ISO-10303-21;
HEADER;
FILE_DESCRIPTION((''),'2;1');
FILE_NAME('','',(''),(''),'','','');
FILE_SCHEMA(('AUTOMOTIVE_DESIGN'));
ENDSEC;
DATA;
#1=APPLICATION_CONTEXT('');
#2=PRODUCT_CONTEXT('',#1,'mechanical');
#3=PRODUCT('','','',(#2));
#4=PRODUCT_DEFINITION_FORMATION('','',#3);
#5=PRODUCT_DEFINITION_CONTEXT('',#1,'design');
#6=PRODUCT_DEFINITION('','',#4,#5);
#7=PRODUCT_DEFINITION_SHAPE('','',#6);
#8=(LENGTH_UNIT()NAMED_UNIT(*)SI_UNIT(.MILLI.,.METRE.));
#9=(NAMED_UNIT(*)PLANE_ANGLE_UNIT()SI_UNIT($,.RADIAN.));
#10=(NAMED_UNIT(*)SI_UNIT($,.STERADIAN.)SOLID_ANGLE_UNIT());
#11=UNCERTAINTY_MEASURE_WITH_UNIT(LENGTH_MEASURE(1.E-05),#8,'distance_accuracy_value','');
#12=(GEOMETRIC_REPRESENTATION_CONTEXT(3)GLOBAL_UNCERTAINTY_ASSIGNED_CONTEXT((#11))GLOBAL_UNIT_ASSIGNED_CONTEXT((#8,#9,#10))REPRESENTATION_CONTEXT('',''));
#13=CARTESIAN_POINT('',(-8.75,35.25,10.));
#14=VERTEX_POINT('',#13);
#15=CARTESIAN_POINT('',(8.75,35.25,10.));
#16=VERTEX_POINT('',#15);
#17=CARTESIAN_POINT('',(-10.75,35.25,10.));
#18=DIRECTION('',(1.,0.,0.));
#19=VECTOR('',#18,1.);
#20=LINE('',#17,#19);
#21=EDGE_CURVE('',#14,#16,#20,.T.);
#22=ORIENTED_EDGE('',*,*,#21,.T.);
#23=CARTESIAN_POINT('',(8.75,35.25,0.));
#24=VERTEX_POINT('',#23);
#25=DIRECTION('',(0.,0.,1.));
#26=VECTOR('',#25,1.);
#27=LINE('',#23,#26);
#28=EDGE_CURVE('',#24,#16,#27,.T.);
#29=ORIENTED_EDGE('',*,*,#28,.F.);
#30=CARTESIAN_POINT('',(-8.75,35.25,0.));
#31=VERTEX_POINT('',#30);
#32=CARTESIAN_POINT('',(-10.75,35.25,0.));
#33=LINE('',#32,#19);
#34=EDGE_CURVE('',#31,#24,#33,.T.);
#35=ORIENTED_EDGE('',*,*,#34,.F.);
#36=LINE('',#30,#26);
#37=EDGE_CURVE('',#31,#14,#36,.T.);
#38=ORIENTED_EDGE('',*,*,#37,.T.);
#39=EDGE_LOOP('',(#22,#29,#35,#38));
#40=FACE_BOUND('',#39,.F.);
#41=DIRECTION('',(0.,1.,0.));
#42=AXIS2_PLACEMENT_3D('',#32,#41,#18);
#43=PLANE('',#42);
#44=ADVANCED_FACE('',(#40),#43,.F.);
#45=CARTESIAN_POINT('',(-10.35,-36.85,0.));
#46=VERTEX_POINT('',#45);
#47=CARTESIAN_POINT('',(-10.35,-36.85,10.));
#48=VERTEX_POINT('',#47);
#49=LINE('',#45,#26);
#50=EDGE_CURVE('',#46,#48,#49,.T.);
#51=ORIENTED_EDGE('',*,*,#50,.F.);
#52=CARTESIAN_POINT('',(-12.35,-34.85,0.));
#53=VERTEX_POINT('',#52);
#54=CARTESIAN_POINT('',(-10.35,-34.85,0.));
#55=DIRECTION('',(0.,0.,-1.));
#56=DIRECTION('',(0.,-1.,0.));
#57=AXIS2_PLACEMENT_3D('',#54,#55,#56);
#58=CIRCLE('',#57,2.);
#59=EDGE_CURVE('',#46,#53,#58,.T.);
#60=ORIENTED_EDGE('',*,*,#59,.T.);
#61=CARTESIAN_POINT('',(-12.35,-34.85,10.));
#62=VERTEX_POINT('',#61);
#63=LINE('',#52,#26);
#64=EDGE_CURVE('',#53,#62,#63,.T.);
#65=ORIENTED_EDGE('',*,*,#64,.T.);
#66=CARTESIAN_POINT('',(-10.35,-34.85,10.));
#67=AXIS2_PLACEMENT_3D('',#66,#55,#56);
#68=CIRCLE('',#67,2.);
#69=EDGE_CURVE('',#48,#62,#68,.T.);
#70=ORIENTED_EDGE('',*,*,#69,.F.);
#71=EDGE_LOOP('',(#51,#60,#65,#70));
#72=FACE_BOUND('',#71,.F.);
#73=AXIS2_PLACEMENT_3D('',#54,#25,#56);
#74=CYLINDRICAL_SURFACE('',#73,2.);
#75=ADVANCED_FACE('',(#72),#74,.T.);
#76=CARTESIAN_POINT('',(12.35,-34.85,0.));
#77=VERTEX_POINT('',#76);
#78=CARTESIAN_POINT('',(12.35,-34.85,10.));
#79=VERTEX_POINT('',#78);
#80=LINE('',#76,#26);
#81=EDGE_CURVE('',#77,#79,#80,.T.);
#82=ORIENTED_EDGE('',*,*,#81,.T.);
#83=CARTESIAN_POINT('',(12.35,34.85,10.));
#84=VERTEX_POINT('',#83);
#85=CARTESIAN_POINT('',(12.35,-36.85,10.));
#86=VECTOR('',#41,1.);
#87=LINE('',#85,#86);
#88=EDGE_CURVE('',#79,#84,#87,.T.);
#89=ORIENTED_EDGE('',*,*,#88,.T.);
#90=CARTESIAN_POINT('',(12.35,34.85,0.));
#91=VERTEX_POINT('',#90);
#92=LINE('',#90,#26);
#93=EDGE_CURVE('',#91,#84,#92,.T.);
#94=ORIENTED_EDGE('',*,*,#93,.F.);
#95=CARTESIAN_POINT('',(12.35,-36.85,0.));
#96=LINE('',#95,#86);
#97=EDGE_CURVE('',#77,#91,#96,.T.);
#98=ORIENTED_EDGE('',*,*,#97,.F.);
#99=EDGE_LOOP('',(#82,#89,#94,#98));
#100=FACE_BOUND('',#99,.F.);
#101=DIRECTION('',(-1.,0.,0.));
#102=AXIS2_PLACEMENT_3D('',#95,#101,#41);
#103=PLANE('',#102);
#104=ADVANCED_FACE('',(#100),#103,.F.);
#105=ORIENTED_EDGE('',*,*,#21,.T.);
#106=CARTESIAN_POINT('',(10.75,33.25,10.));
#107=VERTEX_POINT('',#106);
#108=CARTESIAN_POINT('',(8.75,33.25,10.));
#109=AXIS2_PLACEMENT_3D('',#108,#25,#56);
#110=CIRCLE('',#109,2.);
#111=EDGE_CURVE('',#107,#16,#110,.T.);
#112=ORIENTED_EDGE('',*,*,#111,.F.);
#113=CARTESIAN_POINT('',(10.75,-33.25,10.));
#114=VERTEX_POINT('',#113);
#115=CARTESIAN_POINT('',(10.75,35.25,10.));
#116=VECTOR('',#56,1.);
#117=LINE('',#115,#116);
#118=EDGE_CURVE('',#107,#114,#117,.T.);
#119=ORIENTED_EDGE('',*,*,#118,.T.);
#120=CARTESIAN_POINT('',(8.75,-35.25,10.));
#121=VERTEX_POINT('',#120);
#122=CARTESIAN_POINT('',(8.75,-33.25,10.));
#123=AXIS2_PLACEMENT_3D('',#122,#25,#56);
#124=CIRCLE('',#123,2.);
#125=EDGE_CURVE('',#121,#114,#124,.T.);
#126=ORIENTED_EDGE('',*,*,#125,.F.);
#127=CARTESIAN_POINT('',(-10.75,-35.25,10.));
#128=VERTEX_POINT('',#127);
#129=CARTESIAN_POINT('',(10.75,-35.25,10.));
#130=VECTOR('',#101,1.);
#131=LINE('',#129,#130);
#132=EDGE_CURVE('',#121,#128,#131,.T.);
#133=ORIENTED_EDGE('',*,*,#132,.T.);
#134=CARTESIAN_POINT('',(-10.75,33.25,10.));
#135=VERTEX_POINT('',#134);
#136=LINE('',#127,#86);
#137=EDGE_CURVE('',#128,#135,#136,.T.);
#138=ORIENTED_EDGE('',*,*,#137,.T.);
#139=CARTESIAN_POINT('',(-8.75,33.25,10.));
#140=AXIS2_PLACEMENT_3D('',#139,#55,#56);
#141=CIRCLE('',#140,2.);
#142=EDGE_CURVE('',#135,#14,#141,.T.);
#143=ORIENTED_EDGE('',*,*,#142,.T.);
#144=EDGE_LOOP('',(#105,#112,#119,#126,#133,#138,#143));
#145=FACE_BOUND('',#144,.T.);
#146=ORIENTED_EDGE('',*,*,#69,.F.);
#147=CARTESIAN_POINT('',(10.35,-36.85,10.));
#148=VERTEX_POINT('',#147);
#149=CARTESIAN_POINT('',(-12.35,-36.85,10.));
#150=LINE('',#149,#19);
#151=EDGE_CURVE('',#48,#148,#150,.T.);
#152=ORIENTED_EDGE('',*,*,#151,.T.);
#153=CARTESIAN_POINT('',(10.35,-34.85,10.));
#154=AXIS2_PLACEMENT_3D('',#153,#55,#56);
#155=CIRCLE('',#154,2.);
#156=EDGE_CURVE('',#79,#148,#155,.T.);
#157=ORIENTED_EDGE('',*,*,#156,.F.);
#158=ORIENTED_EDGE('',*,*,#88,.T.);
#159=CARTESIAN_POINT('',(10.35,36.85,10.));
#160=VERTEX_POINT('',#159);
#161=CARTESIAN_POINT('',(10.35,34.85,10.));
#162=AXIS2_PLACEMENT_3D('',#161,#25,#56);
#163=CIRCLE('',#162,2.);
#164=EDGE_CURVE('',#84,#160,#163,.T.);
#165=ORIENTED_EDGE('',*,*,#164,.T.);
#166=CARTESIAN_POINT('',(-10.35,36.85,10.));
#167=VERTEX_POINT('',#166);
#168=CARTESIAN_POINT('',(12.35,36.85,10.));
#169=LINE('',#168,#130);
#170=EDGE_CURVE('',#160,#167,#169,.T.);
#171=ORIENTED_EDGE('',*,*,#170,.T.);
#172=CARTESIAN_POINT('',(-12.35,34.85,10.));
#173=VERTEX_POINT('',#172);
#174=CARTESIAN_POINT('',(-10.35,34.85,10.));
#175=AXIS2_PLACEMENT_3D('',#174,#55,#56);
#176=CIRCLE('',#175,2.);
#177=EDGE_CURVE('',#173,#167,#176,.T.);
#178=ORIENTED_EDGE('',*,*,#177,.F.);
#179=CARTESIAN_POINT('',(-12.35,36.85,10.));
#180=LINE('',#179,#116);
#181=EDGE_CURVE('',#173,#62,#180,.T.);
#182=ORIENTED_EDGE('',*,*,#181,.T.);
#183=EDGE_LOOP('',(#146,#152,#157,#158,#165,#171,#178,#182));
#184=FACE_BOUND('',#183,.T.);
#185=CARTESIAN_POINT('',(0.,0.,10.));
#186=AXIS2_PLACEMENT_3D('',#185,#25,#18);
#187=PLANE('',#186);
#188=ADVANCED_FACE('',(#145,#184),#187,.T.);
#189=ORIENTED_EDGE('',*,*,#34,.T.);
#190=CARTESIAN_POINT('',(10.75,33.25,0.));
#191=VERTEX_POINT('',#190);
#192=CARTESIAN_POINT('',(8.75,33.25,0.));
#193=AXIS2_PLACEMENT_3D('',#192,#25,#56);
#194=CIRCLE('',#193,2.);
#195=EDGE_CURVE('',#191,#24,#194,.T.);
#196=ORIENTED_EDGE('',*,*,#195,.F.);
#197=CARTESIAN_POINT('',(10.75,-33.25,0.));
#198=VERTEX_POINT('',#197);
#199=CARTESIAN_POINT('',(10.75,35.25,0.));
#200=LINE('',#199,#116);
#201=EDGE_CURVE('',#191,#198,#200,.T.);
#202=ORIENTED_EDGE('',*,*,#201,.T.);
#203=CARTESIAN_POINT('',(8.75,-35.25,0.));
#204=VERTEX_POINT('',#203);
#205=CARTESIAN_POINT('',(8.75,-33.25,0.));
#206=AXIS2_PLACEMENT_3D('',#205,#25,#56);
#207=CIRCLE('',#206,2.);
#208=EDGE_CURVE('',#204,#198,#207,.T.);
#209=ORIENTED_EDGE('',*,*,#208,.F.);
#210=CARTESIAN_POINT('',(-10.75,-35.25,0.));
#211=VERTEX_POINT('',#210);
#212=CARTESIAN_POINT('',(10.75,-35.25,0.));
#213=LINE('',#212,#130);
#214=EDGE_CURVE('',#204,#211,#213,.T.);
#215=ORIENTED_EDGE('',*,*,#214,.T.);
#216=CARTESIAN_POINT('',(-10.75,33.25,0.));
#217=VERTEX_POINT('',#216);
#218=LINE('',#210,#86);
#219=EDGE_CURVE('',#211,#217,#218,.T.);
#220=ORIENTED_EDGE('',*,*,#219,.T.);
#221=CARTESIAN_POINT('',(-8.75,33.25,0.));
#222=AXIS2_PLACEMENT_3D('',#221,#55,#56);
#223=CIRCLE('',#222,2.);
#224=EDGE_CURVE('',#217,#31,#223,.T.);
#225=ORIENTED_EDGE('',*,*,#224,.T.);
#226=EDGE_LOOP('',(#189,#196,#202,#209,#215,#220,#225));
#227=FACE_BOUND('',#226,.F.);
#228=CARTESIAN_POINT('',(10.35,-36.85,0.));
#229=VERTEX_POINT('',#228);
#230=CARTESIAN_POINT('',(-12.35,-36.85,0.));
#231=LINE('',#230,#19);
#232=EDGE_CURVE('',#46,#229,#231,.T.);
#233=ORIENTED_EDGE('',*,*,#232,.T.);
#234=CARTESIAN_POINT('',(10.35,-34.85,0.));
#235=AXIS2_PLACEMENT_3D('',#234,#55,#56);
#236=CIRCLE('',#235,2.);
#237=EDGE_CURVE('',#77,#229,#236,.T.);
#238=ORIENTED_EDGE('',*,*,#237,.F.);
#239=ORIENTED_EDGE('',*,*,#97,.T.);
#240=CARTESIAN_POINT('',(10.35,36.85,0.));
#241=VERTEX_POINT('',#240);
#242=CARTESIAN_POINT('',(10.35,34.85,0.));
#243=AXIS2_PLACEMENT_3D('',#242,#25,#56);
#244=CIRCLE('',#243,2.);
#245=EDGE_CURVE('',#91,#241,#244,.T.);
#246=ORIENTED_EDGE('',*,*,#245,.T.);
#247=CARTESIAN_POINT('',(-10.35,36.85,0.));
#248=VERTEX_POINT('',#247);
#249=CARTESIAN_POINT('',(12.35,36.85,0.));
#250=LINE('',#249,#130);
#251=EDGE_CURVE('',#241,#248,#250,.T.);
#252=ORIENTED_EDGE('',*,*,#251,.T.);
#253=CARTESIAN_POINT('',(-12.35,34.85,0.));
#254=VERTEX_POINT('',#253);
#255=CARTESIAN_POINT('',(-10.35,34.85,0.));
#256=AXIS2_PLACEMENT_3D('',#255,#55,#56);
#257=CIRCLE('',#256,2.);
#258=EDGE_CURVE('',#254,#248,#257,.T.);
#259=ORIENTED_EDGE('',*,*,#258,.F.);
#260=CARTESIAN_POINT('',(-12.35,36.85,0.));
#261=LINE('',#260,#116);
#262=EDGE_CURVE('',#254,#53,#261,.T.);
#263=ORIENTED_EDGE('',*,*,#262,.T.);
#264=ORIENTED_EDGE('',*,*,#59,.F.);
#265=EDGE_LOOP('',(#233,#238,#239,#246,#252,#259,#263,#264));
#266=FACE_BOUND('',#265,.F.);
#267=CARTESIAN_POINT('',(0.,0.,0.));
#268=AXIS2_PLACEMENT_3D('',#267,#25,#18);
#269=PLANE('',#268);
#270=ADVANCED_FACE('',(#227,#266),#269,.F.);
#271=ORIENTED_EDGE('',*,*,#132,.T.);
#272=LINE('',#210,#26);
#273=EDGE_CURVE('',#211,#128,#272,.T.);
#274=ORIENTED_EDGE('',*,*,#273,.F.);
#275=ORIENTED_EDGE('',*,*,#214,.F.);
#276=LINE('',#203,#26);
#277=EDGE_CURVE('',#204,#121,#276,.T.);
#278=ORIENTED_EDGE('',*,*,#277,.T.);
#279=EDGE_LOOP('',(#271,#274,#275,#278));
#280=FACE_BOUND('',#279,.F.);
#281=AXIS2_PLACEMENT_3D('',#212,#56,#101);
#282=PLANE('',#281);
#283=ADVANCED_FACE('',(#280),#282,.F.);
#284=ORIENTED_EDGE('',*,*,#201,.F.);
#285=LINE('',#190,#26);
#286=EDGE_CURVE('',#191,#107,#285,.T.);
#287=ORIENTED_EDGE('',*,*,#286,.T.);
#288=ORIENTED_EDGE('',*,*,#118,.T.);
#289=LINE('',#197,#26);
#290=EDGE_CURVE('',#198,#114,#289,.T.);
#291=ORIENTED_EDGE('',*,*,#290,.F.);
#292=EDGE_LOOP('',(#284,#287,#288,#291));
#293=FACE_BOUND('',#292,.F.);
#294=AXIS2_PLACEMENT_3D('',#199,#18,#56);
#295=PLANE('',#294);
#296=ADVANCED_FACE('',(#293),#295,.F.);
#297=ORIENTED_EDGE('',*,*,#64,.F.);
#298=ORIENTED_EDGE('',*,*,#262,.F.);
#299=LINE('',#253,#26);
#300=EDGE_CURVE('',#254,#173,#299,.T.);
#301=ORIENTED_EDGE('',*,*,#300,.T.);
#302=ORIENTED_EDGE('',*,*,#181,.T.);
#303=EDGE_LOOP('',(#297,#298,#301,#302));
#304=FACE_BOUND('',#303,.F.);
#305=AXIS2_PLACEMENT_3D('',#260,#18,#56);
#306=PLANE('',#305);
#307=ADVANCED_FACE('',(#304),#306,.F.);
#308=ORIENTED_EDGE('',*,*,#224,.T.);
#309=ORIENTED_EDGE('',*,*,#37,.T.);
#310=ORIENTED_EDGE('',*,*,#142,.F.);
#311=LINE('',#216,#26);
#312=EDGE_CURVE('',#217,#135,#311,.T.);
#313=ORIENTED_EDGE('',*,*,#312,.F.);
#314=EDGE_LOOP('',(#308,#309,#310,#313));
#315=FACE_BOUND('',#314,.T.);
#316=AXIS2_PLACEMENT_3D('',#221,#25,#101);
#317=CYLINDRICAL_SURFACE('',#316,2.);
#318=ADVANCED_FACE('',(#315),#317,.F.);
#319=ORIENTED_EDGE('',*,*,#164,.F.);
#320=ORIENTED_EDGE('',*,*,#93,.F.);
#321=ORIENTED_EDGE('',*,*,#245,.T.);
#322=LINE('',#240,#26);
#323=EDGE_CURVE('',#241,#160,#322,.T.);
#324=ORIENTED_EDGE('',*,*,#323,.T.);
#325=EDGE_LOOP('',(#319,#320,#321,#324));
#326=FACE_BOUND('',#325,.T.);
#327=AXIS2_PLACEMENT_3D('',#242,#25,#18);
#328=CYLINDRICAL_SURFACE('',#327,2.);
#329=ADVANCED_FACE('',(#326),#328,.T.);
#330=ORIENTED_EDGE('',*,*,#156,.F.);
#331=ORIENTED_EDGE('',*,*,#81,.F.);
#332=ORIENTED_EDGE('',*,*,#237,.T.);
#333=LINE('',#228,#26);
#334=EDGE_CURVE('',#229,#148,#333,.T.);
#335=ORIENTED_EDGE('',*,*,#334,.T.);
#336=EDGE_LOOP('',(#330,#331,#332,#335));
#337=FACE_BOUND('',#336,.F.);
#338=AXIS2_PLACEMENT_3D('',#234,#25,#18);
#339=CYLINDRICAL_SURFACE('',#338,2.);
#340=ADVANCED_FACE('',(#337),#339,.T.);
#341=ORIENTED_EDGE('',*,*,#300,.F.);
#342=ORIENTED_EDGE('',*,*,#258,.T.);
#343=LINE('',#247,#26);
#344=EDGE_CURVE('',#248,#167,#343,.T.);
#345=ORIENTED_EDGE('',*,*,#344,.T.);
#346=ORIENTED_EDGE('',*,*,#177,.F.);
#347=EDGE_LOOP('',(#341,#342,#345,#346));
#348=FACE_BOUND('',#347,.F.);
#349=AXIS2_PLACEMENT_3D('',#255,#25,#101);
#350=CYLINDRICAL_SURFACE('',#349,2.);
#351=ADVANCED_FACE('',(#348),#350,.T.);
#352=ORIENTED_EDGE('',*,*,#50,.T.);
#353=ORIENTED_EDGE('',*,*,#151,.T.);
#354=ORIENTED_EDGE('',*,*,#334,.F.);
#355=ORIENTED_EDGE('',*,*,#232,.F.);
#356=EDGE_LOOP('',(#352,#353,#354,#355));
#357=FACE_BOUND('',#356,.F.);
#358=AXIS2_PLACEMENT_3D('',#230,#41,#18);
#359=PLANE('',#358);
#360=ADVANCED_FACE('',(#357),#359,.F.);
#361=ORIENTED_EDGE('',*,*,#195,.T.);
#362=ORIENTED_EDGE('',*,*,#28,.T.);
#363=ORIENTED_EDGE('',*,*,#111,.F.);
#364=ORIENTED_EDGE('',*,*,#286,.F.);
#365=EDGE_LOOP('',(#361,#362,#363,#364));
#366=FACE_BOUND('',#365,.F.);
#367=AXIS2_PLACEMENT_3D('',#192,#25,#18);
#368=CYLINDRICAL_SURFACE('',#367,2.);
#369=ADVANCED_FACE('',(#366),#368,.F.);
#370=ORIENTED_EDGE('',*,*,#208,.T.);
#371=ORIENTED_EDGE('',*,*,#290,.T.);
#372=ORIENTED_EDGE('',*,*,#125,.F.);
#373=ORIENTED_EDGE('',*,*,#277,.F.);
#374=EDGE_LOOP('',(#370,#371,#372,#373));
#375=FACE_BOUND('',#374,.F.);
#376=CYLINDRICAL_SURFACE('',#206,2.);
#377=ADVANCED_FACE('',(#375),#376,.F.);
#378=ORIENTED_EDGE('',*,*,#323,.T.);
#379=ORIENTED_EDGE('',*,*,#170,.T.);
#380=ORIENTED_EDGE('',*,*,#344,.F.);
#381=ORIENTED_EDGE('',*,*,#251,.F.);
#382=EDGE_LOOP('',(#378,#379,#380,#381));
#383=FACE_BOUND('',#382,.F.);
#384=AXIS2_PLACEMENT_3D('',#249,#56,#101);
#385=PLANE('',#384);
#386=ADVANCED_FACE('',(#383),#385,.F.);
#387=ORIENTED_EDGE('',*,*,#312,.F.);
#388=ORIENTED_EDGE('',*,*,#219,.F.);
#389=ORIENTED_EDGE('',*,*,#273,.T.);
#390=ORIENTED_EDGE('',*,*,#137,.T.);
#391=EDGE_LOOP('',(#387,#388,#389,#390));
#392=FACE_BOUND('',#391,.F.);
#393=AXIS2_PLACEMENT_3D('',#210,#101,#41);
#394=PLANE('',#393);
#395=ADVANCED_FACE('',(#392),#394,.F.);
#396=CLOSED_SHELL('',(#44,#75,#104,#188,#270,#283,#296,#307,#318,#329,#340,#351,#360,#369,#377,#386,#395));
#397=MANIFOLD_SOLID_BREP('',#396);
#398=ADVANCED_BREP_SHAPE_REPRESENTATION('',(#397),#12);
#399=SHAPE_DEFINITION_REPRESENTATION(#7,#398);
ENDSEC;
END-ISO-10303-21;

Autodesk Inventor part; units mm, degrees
ref_plane "YZ Plane" through (0, 0, 0) normal (1, 0, 0) x (0, 1, 0)
ref_plane "XZ Plane" through (0, 0, 0) normal (0, 1, 0) x (-1, 0, 0)
ref_plane "XY Plane" through (0, 0, 0) normal (0, 0, 1) x (1, 0, 0)
sketch "Sketch1" plane through (0, 0, 0) normal (0, 0, 1) x (1, 0, 0)
  line L0 (-10.75, 35.25) -> (10.75, 35.25)
  line L1 (10.75, 35.25) -> (10.75, -35.25)
  line L2 (10.75, -35.25) -> (-10.75, -35.25)
  line L3 (-10.75, -35.25) -> (-10.75, 35.25)
  line L4 (12.35, 36.85) -> (-12.35, 36.85)
  line L5 (-12.35, 36.85) -> (-12.35, -36.85)
  line L6 (-12.35, -36.85) -> (12.35, -36.85)
  line L7 (12.35, -36.85) -> (12.35, 36.85)
  point P0 (0, 0)
  point P1 (10.75, 0)
  point P2 (0, 35.25)
  dimension "d0" = 21.5
  dimension "d1" = 70.5
  dimension "d2" = 1.6
extrude "Extrusion1" add sketch "Sketch1" along normal blind 10
fillet "Fillet1" radius 2 7 edges at (12.35, 36.85, 5) (10.75, 35.25, 5) (-10.75, 35.25, 5) (-12.35, 36.85, 5) (-12.35, -36.85, 5) (12.35, -36.85, 5) (10.75, -35.25, 5)
properties part number "SampleHolderBand" material "ABS Plastic"
